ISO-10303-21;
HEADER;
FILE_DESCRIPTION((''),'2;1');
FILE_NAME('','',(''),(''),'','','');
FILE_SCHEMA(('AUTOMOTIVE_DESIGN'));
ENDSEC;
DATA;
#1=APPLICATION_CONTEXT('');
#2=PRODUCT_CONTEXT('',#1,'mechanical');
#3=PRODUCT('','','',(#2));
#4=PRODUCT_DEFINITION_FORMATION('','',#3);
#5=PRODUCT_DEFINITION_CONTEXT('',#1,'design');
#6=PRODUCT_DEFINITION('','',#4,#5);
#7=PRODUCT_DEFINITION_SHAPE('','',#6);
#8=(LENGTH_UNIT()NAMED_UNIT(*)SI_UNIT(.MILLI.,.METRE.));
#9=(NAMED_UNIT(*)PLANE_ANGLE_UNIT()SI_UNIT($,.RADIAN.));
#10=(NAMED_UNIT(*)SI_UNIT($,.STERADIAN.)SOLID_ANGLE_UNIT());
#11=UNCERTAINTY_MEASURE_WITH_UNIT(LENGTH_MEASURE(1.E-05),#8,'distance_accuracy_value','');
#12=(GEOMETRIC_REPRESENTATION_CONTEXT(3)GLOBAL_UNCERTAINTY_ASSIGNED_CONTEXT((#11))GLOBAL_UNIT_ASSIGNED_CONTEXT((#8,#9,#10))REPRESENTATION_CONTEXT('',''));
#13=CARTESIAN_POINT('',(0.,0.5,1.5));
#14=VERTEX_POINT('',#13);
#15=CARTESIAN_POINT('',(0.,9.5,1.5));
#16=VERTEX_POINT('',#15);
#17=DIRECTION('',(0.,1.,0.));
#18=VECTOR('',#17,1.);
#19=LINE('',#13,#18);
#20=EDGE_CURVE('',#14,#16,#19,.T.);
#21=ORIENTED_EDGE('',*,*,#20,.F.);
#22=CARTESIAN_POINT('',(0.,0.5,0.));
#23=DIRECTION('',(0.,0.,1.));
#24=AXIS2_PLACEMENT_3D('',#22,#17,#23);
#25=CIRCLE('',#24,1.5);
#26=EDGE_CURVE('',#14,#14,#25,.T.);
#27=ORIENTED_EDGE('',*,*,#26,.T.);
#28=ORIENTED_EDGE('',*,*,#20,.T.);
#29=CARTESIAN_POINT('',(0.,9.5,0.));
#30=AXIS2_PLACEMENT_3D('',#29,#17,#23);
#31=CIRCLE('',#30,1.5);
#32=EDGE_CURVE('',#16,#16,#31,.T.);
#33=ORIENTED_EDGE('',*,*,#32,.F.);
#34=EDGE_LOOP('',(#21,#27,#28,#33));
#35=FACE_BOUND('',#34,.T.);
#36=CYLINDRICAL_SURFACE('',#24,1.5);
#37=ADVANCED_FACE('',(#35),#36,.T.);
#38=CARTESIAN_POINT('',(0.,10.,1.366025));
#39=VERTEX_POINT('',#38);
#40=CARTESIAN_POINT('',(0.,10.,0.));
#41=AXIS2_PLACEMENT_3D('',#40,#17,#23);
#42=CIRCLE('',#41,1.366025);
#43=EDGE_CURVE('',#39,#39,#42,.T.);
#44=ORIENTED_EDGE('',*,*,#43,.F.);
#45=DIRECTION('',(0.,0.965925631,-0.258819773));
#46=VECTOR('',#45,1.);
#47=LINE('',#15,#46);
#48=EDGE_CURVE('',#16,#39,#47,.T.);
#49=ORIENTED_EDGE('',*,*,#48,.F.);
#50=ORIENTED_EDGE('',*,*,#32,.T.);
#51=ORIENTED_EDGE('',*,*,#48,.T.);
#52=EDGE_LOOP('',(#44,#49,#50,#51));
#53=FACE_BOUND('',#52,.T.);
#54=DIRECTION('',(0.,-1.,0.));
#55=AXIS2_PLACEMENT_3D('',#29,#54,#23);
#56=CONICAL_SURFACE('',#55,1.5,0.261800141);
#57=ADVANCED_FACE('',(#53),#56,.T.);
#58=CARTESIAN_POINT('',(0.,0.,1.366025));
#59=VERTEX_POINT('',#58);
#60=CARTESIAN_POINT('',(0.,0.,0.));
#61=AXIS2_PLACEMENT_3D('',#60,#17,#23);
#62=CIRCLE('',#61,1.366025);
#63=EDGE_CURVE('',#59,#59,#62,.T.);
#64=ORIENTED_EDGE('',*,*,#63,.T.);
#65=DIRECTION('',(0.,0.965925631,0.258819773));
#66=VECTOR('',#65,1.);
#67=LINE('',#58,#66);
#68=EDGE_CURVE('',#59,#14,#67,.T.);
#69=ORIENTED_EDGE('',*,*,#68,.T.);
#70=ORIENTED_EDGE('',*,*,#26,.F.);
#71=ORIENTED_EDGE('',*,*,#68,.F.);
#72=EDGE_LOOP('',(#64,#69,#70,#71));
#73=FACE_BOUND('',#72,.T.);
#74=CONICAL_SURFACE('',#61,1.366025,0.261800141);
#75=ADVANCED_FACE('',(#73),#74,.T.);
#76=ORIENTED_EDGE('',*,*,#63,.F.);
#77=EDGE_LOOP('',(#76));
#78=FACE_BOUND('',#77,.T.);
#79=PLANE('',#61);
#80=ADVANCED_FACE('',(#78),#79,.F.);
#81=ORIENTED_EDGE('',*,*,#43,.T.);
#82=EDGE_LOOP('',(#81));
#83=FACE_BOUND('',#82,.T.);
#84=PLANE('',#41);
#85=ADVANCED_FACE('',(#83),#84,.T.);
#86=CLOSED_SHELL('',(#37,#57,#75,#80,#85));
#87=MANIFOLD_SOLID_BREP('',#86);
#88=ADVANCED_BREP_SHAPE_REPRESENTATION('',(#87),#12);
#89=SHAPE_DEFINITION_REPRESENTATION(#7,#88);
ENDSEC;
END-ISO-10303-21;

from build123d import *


with BuildPart() as part:
    # Sketch → Revolution (revolve)
    with BuildSketch(Plane.YZ):
        Polygon((0, 0), (0, 1.366025), (0.5, 1.5), (9.5, 1.5), (10, 1.366025), (10, 0), align=None)
    revolve(axis=Axis((0, 0, 0), (0, 1, 0)))


solid = part.part
